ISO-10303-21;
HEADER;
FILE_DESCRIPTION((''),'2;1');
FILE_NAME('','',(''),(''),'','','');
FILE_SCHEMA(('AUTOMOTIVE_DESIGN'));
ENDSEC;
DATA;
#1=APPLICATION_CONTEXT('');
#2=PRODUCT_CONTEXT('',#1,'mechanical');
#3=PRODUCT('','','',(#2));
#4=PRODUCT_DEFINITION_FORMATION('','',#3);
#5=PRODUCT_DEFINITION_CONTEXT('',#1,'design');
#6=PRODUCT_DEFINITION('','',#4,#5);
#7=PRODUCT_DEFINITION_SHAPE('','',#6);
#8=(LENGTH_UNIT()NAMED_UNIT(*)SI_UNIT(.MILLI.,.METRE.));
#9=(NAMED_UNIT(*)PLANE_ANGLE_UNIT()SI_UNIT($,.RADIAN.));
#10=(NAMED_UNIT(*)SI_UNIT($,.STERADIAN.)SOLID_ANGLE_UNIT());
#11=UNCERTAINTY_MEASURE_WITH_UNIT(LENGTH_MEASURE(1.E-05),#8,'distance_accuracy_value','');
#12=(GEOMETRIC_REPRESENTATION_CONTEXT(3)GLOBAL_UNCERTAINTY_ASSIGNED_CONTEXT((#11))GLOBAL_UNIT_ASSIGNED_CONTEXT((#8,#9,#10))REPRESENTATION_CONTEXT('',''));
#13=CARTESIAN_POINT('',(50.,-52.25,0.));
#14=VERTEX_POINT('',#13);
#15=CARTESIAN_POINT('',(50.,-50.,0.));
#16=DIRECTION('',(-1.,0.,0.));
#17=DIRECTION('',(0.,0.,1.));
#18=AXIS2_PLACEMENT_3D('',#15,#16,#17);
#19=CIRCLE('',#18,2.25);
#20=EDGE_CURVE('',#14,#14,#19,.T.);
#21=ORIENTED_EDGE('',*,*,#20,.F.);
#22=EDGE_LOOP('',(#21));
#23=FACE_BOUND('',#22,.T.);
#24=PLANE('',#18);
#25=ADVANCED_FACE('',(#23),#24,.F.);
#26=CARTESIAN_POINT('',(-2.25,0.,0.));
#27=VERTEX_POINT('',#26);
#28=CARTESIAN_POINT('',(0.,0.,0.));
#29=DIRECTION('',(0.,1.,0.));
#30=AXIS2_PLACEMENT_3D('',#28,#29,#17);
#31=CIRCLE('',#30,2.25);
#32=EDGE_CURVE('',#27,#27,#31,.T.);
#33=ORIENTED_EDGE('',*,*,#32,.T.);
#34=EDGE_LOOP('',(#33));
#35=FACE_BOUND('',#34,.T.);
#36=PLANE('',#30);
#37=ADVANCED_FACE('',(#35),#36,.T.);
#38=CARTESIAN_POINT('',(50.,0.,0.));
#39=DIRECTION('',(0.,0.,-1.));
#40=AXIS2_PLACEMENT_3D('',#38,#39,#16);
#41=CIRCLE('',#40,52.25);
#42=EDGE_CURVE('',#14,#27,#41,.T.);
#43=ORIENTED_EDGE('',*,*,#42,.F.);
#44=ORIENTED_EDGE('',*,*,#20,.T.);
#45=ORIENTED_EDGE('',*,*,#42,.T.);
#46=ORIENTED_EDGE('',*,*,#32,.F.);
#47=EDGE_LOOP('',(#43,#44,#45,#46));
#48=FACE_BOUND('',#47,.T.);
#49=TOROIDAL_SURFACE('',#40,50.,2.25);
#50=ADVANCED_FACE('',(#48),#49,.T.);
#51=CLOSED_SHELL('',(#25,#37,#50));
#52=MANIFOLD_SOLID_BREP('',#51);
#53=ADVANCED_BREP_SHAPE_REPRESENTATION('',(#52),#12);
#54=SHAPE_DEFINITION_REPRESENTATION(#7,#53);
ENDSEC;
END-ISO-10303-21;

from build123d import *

# Parameters (mm, degrees)
SKETCH2_R = 2.25


with BuildPart() as part:
    # Sweep1: sweep along a path in Sketch1
    with BuildLine(Plane.XY) as sweep1_path:
        ThreePointArc((0, 0), (14.644660941, -35.355339059), (50, -50))
    # Sketch2 → Sweep1 (sweep)
    with BuildSketch(Plane(origin=(0, 0, 0), x_dir=(1, 0, 0), z_dir=(0, 1, 0))):
        Circle(SKETCH2_R)
    sweep(path=sweep1_path.line)


solid = part.part
